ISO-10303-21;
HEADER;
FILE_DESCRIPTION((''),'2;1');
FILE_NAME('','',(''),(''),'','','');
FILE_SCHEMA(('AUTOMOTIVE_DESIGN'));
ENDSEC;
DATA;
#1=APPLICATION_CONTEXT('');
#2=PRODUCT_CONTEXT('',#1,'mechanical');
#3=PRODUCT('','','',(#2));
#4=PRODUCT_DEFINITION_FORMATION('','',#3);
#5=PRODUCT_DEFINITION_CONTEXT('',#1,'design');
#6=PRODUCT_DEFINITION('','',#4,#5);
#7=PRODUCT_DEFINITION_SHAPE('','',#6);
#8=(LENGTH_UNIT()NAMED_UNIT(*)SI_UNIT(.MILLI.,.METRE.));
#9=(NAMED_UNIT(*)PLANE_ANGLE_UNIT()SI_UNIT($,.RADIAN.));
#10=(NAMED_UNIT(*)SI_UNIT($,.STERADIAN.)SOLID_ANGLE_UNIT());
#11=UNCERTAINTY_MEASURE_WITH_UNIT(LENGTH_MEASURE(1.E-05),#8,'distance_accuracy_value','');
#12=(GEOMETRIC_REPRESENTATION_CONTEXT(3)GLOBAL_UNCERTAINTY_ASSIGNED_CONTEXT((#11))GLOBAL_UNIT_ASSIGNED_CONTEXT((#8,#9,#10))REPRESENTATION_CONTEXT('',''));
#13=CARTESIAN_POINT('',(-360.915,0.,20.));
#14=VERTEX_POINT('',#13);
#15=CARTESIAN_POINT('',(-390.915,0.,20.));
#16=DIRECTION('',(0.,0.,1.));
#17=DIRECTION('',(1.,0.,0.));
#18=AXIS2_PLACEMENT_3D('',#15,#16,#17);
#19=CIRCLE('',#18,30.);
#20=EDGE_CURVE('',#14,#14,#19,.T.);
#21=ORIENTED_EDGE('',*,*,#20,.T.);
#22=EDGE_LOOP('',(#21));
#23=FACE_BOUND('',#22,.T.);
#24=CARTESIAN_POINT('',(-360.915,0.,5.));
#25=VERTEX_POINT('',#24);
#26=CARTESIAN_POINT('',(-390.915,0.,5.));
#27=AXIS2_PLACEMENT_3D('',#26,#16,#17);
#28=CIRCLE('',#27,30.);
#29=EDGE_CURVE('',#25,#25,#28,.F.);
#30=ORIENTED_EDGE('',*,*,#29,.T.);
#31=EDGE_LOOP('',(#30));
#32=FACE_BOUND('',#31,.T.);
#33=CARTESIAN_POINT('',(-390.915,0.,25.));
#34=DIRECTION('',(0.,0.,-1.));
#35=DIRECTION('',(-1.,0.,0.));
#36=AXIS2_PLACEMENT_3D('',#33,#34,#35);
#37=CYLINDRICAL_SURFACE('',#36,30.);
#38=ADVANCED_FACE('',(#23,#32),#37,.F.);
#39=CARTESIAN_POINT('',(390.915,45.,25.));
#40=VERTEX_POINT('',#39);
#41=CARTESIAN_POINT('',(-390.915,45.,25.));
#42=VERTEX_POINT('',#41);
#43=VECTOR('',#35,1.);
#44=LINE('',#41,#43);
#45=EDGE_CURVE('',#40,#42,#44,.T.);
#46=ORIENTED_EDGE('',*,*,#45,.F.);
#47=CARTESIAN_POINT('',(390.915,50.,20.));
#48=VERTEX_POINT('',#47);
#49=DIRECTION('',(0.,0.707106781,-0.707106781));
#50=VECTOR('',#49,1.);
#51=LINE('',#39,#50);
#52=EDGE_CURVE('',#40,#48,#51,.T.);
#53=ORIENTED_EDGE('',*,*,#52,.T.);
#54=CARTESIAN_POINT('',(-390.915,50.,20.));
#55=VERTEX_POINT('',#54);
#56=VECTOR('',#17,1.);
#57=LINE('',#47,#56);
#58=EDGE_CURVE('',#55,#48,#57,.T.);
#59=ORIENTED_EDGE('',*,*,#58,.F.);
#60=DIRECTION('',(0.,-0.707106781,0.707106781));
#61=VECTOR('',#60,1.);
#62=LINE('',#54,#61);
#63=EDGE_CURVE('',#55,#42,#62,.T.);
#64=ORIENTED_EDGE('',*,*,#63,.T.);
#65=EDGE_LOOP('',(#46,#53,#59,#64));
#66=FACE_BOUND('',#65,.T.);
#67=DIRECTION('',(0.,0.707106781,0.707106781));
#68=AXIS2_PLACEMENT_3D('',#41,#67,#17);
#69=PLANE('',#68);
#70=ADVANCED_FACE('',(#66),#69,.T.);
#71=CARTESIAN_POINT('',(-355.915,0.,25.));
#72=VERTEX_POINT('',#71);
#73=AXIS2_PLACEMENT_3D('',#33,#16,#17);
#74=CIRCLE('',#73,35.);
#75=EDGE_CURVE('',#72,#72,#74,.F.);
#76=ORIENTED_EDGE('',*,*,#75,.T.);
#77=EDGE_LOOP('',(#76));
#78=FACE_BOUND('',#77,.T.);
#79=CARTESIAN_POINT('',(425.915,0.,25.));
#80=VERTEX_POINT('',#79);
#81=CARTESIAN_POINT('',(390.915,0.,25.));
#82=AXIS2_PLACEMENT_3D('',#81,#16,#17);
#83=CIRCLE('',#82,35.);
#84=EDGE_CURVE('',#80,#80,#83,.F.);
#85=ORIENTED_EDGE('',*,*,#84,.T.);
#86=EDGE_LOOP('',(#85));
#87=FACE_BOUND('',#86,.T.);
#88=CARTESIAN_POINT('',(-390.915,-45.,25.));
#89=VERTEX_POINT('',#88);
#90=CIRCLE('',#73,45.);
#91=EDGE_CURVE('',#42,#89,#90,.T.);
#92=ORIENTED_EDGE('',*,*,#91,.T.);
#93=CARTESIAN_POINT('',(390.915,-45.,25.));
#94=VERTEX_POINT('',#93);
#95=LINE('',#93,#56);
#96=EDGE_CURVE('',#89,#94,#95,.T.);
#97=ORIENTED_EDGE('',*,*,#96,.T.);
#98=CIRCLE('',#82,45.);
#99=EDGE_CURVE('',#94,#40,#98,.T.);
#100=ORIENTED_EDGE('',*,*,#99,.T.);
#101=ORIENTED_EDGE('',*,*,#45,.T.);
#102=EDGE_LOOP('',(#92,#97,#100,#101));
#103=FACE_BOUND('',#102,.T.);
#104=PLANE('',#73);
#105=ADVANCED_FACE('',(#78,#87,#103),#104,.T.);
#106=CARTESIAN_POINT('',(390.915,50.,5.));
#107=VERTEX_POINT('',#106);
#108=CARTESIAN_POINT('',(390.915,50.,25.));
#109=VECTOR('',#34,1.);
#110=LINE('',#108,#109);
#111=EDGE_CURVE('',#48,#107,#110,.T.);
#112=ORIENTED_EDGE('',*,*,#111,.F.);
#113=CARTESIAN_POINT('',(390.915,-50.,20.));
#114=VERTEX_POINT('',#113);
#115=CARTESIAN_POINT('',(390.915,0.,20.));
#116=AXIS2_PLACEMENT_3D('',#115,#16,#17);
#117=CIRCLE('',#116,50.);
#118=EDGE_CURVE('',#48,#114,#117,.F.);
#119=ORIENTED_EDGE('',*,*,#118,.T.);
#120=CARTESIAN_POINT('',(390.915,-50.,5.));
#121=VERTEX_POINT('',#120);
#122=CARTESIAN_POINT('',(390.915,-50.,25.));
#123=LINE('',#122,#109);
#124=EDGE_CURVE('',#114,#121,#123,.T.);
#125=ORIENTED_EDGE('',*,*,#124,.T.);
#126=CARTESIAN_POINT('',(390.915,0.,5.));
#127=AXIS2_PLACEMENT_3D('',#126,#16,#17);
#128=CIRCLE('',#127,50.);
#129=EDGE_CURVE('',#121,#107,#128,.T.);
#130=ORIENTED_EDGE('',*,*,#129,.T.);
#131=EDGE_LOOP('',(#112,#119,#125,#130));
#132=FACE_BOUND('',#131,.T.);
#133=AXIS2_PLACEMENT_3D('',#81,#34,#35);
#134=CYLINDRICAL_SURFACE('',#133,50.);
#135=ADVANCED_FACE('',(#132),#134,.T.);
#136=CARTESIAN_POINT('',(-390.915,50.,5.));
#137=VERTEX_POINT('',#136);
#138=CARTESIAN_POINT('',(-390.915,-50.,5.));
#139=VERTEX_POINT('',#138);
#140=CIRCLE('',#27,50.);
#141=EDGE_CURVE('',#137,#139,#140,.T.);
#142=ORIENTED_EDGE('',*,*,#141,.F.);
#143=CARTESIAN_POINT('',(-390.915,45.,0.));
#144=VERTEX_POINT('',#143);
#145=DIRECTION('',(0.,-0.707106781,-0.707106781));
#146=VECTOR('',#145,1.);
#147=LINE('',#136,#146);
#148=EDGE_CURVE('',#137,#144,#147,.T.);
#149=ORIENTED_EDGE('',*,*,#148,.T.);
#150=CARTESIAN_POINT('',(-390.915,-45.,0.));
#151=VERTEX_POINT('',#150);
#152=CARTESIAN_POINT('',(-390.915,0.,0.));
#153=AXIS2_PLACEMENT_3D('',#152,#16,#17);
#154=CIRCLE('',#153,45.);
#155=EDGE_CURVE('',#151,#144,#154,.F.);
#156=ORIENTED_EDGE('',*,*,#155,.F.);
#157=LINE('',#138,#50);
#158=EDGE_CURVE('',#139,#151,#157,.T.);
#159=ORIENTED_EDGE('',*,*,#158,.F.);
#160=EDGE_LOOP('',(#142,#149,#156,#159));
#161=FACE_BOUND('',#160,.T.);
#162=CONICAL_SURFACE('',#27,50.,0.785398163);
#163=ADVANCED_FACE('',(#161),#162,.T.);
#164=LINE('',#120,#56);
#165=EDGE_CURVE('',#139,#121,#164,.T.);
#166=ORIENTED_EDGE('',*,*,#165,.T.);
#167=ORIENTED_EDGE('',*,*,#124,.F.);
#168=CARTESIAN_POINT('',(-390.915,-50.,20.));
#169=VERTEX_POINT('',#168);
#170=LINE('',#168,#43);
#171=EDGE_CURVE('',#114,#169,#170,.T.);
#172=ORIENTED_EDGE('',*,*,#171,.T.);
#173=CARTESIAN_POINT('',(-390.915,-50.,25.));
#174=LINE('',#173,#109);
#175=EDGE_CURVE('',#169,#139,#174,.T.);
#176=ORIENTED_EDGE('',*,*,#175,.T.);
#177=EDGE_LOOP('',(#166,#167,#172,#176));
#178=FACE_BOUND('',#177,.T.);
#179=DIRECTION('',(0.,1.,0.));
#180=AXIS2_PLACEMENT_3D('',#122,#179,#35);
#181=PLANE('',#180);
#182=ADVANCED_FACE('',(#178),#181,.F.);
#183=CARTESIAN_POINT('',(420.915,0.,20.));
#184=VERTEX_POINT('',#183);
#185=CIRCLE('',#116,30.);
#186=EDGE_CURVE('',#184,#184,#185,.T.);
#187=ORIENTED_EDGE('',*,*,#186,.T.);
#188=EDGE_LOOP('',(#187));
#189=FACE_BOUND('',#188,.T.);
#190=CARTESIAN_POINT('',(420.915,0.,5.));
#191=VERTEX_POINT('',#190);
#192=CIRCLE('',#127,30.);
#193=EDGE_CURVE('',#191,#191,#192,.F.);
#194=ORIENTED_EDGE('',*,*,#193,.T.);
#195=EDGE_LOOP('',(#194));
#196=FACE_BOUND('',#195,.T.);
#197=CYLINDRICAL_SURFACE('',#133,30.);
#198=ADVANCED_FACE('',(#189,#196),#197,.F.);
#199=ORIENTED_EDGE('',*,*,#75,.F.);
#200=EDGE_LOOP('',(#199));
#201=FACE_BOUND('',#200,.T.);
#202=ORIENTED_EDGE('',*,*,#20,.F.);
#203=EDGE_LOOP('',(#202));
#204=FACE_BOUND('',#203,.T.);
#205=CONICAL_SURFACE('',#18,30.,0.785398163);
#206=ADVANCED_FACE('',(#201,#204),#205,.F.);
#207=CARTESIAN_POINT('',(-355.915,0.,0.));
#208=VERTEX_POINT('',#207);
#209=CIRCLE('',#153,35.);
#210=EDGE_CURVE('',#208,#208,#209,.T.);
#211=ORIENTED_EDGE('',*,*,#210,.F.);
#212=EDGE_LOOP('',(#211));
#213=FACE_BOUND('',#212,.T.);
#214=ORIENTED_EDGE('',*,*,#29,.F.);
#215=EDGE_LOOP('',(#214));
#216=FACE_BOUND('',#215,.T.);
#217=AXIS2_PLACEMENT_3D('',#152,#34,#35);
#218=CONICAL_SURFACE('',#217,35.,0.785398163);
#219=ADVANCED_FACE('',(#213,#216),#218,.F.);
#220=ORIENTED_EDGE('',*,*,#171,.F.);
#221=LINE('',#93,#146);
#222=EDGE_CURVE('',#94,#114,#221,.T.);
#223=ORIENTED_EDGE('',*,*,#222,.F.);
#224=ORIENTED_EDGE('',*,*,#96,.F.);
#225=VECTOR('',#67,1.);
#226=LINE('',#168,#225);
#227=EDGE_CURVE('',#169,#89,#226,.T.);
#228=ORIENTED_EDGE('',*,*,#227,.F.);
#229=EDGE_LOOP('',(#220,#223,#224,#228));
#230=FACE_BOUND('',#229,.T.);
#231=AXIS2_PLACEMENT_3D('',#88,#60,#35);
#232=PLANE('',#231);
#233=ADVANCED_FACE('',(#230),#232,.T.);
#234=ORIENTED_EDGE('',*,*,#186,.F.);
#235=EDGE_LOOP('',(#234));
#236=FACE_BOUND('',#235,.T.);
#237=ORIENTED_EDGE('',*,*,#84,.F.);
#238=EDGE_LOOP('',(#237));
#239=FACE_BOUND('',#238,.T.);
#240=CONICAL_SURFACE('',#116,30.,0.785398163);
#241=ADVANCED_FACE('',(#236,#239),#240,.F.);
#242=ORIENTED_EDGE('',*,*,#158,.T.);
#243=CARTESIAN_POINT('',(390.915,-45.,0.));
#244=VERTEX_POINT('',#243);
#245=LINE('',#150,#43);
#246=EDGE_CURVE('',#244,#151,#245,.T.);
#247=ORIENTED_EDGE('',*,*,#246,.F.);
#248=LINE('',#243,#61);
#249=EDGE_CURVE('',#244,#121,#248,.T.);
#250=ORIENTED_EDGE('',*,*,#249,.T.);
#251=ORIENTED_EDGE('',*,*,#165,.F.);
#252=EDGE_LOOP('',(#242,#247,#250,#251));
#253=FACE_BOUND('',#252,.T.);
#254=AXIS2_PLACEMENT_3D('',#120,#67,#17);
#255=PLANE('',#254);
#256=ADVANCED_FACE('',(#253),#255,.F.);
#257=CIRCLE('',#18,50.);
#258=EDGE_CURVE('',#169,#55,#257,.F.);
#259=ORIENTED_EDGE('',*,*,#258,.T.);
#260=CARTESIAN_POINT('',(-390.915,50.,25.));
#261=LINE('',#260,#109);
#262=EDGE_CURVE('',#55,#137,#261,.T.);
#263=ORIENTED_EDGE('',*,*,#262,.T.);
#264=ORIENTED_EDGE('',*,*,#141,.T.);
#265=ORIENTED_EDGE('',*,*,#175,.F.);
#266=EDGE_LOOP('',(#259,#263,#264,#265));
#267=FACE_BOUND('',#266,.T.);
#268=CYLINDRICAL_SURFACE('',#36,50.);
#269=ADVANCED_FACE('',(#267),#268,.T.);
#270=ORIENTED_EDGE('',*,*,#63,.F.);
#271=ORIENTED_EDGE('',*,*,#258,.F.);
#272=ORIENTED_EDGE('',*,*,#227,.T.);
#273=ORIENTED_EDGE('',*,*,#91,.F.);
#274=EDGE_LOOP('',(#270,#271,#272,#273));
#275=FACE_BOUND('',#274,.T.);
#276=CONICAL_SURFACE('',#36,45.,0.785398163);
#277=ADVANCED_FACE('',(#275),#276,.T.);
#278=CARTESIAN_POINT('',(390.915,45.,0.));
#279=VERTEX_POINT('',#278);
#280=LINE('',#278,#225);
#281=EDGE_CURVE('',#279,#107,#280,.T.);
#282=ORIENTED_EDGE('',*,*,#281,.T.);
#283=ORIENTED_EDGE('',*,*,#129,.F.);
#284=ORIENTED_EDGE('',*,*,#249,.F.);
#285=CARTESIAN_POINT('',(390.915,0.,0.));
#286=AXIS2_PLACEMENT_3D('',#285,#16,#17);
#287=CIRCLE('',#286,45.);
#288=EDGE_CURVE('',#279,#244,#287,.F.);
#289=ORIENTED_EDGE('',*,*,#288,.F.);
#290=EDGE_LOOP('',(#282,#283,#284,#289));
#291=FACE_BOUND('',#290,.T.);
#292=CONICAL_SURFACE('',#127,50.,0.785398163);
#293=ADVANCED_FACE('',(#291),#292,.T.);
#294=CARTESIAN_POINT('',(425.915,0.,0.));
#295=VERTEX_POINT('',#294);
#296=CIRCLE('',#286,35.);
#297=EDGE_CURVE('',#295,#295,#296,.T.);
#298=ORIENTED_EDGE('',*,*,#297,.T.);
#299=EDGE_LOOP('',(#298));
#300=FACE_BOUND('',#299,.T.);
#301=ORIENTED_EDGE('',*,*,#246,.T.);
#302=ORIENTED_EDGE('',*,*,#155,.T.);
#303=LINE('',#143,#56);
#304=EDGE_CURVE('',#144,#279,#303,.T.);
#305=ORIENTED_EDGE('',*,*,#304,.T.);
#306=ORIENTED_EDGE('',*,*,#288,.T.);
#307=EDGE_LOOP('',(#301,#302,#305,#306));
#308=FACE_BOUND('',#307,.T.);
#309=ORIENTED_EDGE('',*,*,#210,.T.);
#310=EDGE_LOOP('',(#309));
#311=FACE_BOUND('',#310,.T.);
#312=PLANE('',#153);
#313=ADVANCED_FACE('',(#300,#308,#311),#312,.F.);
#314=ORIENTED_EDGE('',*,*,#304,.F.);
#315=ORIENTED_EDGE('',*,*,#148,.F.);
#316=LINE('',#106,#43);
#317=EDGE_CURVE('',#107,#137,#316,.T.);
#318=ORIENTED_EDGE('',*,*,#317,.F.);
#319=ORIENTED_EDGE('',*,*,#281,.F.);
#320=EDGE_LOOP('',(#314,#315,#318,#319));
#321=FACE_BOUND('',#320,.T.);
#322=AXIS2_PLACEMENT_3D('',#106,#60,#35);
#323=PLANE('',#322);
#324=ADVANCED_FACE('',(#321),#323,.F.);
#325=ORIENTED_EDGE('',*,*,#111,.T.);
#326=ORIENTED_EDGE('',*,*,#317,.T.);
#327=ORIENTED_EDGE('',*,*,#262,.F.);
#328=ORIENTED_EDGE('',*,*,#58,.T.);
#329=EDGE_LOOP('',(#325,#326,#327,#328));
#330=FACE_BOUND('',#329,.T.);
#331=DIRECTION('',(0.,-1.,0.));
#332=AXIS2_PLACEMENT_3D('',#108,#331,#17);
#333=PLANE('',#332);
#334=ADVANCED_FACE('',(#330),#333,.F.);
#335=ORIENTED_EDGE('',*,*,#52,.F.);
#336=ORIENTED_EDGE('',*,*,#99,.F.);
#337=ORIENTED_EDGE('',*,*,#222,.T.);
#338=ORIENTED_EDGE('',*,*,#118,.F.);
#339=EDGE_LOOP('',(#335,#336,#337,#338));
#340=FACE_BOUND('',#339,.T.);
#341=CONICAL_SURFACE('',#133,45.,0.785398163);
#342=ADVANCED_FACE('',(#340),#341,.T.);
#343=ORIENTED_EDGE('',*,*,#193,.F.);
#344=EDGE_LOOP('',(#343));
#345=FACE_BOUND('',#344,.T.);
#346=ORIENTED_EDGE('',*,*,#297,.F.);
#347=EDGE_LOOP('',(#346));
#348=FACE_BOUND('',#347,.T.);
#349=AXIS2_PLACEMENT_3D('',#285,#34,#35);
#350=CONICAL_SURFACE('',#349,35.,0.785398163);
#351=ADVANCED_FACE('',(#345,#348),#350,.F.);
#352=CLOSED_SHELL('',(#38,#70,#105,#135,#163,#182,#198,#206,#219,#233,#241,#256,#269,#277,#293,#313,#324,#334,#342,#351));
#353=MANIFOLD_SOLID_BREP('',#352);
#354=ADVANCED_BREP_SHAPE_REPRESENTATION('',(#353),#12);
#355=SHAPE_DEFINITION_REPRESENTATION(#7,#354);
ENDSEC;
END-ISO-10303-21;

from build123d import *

# Parameters (mm, degrees)
SKETCH1_R           = 30
BOSS_EXTRUDE1_DEPTH = 25
CHAMFER1_SIZE       = 5


with BuildPart() as part:
    # Sketch1 → Boss-Extrude1 (new body)
    with BuildSketch(Plane.XY):
        with BuildLine():
            Line((390.915, -50), (-390.915, -50))
            ThreePointArc((-390.915, -50), (-440.915, 0), (-390.915, 50))
            Line((-390.915, 50), (390.915, 50))
            ThreePointArc((390.915, 50), (440.915, 0), (390.915, -50))
        make_face()
        with Locations((-390.915, 0)):
            Circle(SKETCH1_R, mode=Mode.SUBTRACT)
        with Locations(Location((390.915, 0, 0), (0, 0, 180))):
            Circle(SKETCH1_R, mode=Mode.SUBTRACT)
    extrude(amount=BOSS_EXTRUDE1_DEPTH)

    # Chamfer1
    chamfer1_edges = [part.edges().sort_by_distance(p)[0] for p in [
        (440.915, 0, 25),
        (-420.915, 0, 0),
        (-420.915, 0, 25),
        (0, 50, 25),
        (420.915, 0, 0),
        (420.915, 0, 25),
        (-440.915, 0, 25),
        (0, 50, 0),
        (440.915, 0, 0),
        (0, -50, 0),
        (-440.915, 0, 0),
        (0, -50, 25),
    ]]
    chamfer(chamfer1_edges, length=CHAMFER1_SIZE)


solid = part.part
